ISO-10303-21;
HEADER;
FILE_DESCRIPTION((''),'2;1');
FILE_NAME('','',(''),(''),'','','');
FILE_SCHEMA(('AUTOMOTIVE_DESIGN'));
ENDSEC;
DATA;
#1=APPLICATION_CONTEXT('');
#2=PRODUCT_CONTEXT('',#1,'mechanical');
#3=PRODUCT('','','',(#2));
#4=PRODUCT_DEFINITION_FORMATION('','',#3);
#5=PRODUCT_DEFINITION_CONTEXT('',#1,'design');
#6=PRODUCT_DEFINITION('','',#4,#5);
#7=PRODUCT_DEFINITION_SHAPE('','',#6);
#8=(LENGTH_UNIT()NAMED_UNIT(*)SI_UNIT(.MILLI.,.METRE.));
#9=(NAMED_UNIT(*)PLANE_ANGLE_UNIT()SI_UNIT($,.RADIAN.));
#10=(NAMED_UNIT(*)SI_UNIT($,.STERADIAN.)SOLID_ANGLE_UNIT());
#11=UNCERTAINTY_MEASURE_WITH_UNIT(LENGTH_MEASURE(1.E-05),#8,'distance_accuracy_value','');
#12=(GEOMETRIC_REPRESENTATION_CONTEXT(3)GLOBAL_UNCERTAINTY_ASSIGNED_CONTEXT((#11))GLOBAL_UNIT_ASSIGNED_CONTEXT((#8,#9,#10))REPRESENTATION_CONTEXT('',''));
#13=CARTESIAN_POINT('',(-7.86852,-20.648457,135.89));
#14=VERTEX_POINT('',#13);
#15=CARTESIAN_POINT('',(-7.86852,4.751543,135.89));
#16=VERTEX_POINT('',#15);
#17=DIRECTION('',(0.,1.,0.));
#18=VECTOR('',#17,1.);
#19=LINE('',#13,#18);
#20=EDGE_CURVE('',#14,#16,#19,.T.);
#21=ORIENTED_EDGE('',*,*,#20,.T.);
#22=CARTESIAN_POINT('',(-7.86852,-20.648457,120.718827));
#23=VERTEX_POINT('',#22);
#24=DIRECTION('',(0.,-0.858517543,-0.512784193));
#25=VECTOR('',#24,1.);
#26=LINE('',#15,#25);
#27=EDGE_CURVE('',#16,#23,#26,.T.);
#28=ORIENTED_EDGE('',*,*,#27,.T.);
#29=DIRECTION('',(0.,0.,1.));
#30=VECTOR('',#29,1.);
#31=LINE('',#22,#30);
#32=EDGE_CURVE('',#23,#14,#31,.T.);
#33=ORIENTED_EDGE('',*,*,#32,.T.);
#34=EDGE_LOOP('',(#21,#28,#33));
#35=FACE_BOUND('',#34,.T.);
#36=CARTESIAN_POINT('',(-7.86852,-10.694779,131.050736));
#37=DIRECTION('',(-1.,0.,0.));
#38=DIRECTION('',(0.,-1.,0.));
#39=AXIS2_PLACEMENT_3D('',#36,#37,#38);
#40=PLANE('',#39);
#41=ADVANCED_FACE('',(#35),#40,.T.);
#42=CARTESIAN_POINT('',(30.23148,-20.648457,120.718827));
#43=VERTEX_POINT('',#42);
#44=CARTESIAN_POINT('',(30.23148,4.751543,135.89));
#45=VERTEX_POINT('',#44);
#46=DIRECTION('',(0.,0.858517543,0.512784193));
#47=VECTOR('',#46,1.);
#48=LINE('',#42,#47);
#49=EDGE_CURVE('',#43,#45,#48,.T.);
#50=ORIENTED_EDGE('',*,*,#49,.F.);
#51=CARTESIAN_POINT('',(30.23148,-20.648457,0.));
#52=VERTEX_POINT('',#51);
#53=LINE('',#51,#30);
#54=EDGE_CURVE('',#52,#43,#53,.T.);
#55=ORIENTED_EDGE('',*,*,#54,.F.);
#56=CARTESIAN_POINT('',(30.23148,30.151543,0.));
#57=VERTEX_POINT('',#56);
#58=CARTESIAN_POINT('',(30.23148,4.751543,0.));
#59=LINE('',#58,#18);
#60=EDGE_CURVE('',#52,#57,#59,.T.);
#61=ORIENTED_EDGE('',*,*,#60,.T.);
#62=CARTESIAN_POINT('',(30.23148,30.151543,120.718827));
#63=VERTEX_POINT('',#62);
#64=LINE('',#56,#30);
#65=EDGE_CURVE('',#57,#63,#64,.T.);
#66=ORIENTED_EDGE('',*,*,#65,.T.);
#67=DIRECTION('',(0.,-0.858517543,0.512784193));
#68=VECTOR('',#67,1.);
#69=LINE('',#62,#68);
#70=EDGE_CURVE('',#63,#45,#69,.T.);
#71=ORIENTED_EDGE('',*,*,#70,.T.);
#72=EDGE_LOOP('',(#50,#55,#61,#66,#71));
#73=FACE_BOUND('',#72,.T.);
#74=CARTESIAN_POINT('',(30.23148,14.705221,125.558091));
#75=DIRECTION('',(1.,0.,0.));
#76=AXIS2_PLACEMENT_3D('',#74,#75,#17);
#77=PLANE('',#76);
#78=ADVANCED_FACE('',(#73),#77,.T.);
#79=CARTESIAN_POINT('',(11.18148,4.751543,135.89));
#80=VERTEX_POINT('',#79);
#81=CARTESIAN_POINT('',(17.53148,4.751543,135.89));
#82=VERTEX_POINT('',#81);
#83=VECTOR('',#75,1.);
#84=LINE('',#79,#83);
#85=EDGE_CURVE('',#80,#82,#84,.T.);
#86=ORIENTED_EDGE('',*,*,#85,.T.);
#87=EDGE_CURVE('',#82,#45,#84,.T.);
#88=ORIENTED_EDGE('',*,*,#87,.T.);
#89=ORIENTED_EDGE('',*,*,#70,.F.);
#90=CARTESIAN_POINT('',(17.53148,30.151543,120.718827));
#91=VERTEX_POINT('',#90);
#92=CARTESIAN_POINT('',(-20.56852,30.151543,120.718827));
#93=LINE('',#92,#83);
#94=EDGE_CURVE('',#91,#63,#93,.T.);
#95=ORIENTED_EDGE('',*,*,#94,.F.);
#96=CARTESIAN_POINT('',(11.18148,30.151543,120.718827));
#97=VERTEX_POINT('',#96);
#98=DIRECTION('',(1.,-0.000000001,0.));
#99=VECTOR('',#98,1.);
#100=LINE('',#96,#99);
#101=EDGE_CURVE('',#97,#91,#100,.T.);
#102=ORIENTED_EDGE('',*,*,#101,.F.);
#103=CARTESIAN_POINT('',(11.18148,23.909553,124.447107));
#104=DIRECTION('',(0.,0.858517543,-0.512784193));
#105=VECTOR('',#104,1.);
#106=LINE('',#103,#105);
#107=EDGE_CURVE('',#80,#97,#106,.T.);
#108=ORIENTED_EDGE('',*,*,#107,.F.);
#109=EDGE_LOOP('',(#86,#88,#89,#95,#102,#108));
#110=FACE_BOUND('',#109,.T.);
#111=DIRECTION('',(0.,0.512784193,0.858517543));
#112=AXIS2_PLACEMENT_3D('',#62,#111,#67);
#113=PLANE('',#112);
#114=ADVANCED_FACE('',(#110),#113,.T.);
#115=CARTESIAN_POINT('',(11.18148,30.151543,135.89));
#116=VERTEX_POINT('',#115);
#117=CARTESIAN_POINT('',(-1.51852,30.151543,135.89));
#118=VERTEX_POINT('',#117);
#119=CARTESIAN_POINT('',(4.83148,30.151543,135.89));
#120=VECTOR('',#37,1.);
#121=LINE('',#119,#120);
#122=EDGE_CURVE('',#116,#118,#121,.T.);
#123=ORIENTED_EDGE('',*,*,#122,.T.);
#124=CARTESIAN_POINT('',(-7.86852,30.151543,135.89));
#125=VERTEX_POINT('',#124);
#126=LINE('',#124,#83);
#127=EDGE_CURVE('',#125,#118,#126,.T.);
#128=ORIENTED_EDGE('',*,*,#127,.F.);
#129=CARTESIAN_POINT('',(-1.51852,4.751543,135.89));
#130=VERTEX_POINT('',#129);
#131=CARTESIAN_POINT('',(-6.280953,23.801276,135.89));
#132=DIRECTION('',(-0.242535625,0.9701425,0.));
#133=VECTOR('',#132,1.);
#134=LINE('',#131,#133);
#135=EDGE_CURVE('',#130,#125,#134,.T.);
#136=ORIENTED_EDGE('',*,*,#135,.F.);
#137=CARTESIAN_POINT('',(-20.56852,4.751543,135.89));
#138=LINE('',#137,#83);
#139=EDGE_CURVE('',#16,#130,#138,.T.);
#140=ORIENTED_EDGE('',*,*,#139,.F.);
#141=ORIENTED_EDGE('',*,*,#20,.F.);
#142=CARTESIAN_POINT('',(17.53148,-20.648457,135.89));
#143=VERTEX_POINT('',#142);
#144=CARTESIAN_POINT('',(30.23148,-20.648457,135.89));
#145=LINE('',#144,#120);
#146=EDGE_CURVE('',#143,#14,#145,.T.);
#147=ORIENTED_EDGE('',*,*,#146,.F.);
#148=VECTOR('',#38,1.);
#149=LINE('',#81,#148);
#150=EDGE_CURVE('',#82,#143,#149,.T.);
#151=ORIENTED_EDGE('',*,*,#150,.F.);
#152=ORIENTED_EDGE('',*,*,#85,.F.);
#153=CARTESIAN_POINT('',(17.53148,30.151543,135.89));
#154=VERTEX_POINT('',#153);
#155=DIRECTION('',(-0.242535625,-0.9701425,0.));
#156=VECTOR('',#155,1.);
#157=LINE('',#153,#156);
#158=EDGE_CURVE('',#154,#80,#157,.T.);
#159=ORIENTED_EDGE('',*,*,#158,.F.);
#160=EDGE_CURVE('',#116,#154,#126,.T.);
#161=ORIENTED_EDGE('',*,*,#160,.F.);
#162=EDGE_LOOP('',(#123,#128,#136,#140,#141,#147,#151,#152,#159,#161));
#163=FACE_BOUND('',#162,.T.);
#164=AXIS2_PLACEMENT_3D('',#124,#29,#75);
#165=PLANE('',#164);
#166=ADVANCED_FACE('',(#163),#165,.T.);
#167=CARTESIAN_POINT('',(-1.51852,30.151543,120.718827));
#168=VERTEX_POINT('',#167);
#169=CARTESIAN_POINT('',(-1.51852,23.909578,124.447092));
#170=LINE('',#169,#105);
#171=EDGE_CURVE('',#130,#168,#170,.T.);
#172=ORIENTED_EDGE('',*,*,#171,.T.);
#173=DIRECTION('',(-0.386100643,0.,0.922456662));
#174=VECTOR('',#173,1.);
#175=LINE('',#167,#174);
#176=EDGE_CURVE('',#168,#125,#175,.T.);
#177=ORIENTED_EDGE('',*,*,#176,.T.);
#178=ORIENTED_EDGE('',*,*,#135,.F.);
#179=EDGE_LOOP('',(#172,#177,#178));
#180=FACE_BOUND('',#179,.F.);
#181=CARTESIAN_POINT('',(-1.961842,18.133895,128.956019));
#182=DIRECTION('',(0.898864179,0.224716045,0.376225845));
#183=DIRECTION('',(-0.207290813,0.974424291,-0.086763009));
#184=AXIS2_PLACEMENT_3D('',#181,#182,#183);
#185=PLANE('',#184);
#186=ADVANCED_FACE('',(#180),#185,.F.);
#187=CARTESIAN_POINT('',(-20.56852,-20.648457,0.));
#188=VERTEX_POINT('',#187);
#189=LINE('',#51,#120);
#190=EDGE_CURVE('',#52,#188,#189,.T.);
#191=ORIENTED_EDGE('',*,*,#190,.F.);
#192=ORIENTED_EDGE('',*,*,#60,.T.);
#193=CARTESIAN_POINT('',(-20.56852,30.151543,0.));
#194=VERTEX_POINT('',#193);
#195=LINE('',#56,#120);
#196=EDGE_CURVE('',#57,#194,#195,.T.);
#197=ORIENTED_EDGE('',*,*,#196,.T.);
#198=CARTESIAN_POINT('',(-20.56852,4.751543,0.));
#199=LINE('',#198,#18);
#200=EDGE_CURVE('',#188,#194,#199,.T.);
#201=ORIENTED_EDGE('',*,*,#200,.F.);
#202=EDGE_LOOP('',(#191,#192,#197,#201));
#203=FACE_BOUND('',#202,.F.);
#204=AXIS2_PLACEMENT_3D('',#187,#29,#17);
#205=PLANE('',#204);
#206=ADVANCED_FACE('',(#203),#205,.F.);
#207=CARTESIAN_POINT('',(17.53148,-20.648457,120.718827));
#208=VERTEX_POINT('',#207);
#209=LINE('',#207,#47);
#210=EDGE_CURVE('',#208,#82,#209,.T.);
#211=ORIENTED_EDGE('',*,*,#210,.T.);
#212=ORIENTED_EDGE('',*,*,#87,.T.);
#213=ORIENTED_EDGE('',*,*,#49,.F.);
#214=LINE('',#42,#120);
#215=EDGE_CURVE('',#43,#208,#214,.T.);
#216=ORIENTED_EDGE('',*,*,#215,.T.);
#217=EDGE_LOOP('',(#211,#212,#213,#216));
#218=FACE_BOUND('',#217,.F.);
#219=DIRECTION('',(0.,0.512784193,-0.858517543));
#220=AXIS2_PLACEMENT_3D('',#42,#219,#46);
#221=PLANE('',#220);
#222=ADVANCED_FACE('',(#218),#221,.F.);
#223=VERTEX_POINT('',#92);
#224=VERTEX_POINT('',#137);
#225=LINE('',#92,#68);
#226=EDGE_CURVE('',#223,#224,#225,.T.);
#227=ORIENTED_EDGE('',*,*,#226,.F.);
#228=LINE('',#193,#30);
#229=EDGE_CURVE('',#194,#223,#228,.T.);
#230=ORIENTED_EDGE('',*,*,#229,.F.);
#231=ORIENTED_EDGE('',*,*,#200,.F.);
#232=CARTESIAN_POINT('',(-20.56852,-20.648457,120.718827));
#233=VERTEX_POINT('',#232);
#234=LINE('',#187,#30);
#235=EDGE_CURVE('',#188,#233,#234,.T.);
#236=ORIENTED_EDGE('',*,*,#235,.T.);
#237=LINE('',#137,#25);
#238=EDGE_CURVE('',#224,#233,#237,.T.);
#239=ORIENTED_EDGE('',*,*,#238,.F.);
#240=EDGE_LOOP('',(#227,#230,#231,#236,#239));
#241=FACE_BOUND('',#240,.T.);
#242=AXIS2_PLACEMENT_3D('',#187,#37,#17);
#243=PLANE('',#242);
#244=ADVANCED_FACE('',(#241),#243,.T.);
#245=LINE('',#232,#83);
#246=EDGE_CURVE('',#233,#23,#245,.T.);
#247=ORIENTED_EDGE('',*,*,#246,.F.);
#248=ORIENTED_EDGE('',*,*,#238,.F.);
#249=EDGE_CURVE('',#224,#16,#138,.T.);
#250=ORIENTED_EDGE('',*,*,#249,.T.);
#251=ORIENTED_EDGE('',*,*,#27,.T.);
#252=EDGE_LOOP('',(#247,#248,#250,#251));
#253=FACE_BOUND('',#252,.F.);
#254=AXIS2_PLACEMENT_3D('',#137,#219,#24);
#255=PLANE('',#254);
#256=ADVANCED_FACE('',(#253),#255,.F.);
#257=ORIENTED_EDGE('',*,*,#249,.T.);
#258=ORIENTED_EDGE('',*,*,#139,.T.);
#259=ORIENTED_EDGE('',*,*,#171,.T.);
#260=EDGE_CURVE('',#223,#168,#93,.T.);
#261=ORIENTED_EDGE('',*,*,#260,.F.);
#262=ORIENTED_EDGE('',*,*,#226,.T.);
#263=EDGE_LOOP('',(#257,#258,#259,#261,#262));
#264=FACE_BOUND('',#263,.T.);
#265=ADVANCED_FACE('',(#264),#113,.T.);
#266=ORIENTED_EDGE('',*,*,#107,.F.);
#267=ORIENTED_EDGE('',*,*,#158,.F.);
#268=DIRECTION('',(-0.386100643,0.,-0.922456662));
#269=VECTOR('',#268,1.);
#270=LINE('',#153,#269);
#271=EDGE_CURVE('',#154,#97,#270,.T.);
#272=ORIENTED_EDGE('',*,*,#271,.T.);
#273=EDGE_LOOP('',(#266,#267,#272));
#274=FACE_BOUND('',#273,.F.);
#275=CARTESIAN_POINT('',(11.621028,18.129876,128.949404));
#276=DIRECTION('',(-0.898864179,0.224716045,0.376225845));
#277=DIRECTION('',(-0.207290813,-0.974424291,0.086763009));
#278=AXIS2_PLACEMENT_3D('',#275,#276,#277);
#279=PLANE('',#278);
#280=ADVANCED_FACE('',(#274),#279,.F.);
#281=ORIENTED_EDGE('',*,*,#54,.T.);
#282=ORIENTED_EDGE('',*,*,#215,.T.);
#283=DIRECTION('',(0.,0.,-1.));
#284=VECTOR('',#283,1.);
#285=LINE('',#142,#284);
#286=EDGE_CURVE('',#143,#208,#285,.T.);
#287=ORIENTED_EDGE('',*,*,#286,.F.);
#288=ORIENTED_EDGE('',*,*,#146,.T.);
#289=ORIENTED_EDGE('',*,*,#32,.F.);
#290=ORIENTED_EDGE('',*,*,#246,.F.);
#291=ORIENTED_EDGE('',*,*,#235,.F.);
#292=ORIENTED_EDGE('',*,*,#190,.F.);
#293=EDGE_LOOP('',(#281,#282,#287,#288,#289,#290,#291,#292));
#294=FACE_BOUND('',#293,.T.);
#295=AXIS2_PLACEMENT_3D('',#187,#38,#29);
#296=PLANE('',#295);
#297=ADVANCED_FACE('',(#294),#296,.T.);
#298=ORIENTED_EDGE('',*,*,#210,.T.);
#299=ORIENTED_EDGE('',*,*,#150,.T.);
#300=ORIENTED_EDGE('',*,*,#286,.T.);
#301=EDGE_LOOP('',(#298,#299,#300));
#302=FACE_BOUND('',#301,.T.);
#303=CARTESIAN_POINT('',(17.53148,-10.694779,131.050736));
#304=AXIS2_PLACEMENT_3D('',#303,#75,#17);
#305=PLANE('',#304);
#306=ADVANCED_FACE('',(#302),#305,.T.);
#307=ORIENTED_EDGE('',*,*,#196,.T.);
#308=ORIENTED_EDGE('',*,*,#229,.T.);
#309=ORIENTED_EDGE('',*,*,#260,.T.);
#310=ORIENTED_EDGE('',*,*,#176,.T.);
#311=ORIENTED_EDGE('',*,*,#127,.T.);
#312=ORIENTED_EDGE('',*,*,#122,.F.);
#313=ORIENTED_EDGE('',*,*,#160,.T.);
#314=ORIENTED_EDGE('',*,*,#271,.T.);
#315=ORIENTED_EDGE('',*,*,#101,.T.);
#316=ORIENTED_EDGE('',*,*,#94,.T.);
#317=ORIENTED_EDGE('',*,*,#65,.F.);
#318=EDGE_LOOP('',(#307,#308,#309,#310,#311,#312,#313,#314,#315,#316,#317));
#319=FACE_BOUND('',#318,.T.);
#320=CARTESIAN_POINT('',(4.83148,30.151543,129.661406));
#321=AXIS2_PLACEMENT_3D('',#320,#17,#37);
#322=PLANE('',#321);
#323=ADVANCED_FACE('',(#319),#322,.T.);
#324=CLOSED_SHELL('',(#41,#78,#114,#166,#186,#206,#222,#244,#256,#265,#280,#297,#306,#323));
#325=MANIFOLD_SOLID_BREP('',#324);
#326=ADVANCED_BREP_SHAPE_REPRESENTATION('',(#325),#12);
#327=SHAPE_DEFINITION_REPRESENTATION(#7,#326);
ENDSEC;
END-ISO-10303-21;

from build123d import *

# Parameters (mm, degrees)
F0_W      = 50.8
F0_H      = 50.8
F1_DEPTH  = 135.89
F6_DEPTH  = 50.8
F11_W     = 12.7
F11_H     = 15.1711734065
F12_DEPTH = 27.7114
F13_DEPTH = 36.9062
F14_DEPTH = 15.1721734065
F17_DEPTH = 5.8166
F18_DEPTH = 25.654
F20_DEPTH = 50.8
F23_DEPTH = 9.906
F24_DEPTH = 28.194
F26_DEPTH = 3.556
F27_DEPTH = 33.528
F29_DEPTH = 12.7
F31_DEPTH = 12.7


with BuildPart() as f1:
    # F0 (on Top) → F1 (new body)
    with BuildSketch(Plane.XY):
        with Locations((4.8314797107, 4.7515430488)):
            Rectangle(F0_W, F0_H)
    extrude(amount=F1_DEPTH)

    # F5 (on face) + F3 (on face) → F6 (cut)
    with BuildSketch(Plane(origin=(-20.5685202893, 0, 0), x_dir=(0, -1, 0), z_dir=(-1, 0, 0))):
        Polygon((-4.7515430488, 120.7188265935), (-4.7515430488, 135.89), (-30.1515430488, 120.7188265935), align=None)
    with BuildSketch(Plane(origin=(-20.5685202893, 0, 0), x_dir=(0, -1, 0), z_dir=(-1, 0, 0))):
        Polygon((-30.1515430488, 135.89), (-30.1515430488, 120.7188265935), (-4.7515430488, 135.89), align=None)
    extrude(amount=-F6_DEPTH, mode=Mode.SUBTRACT)

    # F11 (on face) → F12 (join)
    with BuildSketch(Plane(origin=(0, 30.1515430488, 0), x_dir=(-1, 0, 0), z_dir=(0, 1, 0))):
        with Locations((-4.8314797107, 128.3044132968)):
            Rectangle(F11_W, F11_H)
    extrude(amount=-F12_DEPTH)

    # F2 (on face) → F13 (join)
    with BuildSketch(Plane(origin=(0, 30.1515430488, 0), x_dir=(-1, 0, 0), z_dir=(0, 1, 0))):
        Polygon((7.8685202893, 135.89), (-17.5314797107, 135.89), (-11.1814797107, 120.7188265935), (1.5185202893, 120.7188265935), align=None)
    extrude(amount=-F13_DEPTH)

    # F4 (on face) → F14 (cut, through all)
    with BuildSketch(Plane.XY.offset(135.89)):
        Polygon((17.5314797107, 4.7515430488), (17.5314797107, 30.1515430488), (11.1814797107, 4.7515430488), align=None)
    extrude(amount=-F14_DEPTH, mode=Mode.SUBTRACT)

    # F16 (on 3pt) → F17 (cut)
    with BuildSketch(Plane(origin=(-37.880335568, 9.470083892, 15.8550775482), x_dir=(-0.2072908126, -0.9744242912, 0.0867630094), z_dir=(-0.8988641792, 0.2247160448, 0.3762258452))):
        Polygon((4.8423883579, 129.6698123278), (-21.2242852978, 132.1215514099), (-21.2242852978, 115.6750623459), (3.5260916978, 115.6750623459), align=None)
    extrude(amount=-F17_DEPTH, mode=Mode.SUBTRACT)

    # F18 (add): a face of the model
    f18_faces = [f1.faces().sort_by_distance(p)[0] for p in [
        (30.2314797107, 4.0006963035, 64.3764433841),
    ]]
    extrude(f18_faces, amount=-F18_DEPTH)

    # F19 (on face) → F20 (join)
    with BuildSketch(Plane.YZ.offset(30.2314797107)):
        Polygon((30.1515430488, 120.7188265935), (4.7515430488, 135.89), (4.7515430488, 120.7188265935), align=None)
    extrude(amount=-F20_DEPTH)

    # F22 (on 3pt) → F23 (cut)
    with BuildSketch(Plane(origin=(45.6875894624, 11.4218973656, 19.1228578906), x_dir=(-0.2072908126, 0.9744242912, -0.0867630094), z_dir=(0.8988641792, 0.2247160448, 0.3762258452))):
        Polygon((19.221242587, 111.9441875016), (19.221242587, 128.4180545008), (-6.8454310687, 125.9389374835), (-5.5291344086, 111.9441875016), align=None)
    extrude(amount=-F23_DEPTH, mode=Mode.SUBTRACT)

    # F24 (add): a face of the model
    f24_faces = [f1.faces().sort_by_distance(p)[0] for p in [
        (-20.5685202893, 4.2653508293, 66.1393526656),
    ]]
    extrude(f24_faces, amount=-F24_DEPTH)

    # F25 (on face) → F26 (cut)
    with BuildSketch(Plane.XY.offset(135.89)):
        Polygon((-7.8685202893, 4.7515430488), (-1.5185202893, 4.7515430488), (-7.8685202893, 29.8561221751), align=None)
    extrude(amount=-F26_DEPTH, mode=Mode.SUBTRACT)

    # F27 (add): a face of the model
    f27_faces = [f1.faces().sort_by_distance(p)[0] for p in [
        (-20.5685202893, 4.2653508293, 66.1393526656),
    ]]
    extrude(f27_faces, amount=-F27_DEPTH)

    # F28 (on face) → F29 (cut)
    with BuildSketch(Plane.YZ.offset(30.2314797107)):
        Polygon((-20.6484569512, 135.89), (-20.6484569512, 120.7188265935), (4.7515430488, 135.89), align=None)
    extrude(amount=-F29_DEPTH, mode=Mode.SUBTRACT)

    # F30 (on face) → F31 (cut)
    with BuildSketch(Plane(origin=(-20.5685202893, 0, 0), x_dir=(0, -1, 0), z_dir=(-1, 0, 0))):
        Polygon((-4.7515430488, 135.89), (20.6484569512, 120.7188265935), (20.6484569512, 135.89), align=None)
    extrude(amount=-F31_DEPTH, mode=Mode.SUBTRACT)


solid = f1.part
